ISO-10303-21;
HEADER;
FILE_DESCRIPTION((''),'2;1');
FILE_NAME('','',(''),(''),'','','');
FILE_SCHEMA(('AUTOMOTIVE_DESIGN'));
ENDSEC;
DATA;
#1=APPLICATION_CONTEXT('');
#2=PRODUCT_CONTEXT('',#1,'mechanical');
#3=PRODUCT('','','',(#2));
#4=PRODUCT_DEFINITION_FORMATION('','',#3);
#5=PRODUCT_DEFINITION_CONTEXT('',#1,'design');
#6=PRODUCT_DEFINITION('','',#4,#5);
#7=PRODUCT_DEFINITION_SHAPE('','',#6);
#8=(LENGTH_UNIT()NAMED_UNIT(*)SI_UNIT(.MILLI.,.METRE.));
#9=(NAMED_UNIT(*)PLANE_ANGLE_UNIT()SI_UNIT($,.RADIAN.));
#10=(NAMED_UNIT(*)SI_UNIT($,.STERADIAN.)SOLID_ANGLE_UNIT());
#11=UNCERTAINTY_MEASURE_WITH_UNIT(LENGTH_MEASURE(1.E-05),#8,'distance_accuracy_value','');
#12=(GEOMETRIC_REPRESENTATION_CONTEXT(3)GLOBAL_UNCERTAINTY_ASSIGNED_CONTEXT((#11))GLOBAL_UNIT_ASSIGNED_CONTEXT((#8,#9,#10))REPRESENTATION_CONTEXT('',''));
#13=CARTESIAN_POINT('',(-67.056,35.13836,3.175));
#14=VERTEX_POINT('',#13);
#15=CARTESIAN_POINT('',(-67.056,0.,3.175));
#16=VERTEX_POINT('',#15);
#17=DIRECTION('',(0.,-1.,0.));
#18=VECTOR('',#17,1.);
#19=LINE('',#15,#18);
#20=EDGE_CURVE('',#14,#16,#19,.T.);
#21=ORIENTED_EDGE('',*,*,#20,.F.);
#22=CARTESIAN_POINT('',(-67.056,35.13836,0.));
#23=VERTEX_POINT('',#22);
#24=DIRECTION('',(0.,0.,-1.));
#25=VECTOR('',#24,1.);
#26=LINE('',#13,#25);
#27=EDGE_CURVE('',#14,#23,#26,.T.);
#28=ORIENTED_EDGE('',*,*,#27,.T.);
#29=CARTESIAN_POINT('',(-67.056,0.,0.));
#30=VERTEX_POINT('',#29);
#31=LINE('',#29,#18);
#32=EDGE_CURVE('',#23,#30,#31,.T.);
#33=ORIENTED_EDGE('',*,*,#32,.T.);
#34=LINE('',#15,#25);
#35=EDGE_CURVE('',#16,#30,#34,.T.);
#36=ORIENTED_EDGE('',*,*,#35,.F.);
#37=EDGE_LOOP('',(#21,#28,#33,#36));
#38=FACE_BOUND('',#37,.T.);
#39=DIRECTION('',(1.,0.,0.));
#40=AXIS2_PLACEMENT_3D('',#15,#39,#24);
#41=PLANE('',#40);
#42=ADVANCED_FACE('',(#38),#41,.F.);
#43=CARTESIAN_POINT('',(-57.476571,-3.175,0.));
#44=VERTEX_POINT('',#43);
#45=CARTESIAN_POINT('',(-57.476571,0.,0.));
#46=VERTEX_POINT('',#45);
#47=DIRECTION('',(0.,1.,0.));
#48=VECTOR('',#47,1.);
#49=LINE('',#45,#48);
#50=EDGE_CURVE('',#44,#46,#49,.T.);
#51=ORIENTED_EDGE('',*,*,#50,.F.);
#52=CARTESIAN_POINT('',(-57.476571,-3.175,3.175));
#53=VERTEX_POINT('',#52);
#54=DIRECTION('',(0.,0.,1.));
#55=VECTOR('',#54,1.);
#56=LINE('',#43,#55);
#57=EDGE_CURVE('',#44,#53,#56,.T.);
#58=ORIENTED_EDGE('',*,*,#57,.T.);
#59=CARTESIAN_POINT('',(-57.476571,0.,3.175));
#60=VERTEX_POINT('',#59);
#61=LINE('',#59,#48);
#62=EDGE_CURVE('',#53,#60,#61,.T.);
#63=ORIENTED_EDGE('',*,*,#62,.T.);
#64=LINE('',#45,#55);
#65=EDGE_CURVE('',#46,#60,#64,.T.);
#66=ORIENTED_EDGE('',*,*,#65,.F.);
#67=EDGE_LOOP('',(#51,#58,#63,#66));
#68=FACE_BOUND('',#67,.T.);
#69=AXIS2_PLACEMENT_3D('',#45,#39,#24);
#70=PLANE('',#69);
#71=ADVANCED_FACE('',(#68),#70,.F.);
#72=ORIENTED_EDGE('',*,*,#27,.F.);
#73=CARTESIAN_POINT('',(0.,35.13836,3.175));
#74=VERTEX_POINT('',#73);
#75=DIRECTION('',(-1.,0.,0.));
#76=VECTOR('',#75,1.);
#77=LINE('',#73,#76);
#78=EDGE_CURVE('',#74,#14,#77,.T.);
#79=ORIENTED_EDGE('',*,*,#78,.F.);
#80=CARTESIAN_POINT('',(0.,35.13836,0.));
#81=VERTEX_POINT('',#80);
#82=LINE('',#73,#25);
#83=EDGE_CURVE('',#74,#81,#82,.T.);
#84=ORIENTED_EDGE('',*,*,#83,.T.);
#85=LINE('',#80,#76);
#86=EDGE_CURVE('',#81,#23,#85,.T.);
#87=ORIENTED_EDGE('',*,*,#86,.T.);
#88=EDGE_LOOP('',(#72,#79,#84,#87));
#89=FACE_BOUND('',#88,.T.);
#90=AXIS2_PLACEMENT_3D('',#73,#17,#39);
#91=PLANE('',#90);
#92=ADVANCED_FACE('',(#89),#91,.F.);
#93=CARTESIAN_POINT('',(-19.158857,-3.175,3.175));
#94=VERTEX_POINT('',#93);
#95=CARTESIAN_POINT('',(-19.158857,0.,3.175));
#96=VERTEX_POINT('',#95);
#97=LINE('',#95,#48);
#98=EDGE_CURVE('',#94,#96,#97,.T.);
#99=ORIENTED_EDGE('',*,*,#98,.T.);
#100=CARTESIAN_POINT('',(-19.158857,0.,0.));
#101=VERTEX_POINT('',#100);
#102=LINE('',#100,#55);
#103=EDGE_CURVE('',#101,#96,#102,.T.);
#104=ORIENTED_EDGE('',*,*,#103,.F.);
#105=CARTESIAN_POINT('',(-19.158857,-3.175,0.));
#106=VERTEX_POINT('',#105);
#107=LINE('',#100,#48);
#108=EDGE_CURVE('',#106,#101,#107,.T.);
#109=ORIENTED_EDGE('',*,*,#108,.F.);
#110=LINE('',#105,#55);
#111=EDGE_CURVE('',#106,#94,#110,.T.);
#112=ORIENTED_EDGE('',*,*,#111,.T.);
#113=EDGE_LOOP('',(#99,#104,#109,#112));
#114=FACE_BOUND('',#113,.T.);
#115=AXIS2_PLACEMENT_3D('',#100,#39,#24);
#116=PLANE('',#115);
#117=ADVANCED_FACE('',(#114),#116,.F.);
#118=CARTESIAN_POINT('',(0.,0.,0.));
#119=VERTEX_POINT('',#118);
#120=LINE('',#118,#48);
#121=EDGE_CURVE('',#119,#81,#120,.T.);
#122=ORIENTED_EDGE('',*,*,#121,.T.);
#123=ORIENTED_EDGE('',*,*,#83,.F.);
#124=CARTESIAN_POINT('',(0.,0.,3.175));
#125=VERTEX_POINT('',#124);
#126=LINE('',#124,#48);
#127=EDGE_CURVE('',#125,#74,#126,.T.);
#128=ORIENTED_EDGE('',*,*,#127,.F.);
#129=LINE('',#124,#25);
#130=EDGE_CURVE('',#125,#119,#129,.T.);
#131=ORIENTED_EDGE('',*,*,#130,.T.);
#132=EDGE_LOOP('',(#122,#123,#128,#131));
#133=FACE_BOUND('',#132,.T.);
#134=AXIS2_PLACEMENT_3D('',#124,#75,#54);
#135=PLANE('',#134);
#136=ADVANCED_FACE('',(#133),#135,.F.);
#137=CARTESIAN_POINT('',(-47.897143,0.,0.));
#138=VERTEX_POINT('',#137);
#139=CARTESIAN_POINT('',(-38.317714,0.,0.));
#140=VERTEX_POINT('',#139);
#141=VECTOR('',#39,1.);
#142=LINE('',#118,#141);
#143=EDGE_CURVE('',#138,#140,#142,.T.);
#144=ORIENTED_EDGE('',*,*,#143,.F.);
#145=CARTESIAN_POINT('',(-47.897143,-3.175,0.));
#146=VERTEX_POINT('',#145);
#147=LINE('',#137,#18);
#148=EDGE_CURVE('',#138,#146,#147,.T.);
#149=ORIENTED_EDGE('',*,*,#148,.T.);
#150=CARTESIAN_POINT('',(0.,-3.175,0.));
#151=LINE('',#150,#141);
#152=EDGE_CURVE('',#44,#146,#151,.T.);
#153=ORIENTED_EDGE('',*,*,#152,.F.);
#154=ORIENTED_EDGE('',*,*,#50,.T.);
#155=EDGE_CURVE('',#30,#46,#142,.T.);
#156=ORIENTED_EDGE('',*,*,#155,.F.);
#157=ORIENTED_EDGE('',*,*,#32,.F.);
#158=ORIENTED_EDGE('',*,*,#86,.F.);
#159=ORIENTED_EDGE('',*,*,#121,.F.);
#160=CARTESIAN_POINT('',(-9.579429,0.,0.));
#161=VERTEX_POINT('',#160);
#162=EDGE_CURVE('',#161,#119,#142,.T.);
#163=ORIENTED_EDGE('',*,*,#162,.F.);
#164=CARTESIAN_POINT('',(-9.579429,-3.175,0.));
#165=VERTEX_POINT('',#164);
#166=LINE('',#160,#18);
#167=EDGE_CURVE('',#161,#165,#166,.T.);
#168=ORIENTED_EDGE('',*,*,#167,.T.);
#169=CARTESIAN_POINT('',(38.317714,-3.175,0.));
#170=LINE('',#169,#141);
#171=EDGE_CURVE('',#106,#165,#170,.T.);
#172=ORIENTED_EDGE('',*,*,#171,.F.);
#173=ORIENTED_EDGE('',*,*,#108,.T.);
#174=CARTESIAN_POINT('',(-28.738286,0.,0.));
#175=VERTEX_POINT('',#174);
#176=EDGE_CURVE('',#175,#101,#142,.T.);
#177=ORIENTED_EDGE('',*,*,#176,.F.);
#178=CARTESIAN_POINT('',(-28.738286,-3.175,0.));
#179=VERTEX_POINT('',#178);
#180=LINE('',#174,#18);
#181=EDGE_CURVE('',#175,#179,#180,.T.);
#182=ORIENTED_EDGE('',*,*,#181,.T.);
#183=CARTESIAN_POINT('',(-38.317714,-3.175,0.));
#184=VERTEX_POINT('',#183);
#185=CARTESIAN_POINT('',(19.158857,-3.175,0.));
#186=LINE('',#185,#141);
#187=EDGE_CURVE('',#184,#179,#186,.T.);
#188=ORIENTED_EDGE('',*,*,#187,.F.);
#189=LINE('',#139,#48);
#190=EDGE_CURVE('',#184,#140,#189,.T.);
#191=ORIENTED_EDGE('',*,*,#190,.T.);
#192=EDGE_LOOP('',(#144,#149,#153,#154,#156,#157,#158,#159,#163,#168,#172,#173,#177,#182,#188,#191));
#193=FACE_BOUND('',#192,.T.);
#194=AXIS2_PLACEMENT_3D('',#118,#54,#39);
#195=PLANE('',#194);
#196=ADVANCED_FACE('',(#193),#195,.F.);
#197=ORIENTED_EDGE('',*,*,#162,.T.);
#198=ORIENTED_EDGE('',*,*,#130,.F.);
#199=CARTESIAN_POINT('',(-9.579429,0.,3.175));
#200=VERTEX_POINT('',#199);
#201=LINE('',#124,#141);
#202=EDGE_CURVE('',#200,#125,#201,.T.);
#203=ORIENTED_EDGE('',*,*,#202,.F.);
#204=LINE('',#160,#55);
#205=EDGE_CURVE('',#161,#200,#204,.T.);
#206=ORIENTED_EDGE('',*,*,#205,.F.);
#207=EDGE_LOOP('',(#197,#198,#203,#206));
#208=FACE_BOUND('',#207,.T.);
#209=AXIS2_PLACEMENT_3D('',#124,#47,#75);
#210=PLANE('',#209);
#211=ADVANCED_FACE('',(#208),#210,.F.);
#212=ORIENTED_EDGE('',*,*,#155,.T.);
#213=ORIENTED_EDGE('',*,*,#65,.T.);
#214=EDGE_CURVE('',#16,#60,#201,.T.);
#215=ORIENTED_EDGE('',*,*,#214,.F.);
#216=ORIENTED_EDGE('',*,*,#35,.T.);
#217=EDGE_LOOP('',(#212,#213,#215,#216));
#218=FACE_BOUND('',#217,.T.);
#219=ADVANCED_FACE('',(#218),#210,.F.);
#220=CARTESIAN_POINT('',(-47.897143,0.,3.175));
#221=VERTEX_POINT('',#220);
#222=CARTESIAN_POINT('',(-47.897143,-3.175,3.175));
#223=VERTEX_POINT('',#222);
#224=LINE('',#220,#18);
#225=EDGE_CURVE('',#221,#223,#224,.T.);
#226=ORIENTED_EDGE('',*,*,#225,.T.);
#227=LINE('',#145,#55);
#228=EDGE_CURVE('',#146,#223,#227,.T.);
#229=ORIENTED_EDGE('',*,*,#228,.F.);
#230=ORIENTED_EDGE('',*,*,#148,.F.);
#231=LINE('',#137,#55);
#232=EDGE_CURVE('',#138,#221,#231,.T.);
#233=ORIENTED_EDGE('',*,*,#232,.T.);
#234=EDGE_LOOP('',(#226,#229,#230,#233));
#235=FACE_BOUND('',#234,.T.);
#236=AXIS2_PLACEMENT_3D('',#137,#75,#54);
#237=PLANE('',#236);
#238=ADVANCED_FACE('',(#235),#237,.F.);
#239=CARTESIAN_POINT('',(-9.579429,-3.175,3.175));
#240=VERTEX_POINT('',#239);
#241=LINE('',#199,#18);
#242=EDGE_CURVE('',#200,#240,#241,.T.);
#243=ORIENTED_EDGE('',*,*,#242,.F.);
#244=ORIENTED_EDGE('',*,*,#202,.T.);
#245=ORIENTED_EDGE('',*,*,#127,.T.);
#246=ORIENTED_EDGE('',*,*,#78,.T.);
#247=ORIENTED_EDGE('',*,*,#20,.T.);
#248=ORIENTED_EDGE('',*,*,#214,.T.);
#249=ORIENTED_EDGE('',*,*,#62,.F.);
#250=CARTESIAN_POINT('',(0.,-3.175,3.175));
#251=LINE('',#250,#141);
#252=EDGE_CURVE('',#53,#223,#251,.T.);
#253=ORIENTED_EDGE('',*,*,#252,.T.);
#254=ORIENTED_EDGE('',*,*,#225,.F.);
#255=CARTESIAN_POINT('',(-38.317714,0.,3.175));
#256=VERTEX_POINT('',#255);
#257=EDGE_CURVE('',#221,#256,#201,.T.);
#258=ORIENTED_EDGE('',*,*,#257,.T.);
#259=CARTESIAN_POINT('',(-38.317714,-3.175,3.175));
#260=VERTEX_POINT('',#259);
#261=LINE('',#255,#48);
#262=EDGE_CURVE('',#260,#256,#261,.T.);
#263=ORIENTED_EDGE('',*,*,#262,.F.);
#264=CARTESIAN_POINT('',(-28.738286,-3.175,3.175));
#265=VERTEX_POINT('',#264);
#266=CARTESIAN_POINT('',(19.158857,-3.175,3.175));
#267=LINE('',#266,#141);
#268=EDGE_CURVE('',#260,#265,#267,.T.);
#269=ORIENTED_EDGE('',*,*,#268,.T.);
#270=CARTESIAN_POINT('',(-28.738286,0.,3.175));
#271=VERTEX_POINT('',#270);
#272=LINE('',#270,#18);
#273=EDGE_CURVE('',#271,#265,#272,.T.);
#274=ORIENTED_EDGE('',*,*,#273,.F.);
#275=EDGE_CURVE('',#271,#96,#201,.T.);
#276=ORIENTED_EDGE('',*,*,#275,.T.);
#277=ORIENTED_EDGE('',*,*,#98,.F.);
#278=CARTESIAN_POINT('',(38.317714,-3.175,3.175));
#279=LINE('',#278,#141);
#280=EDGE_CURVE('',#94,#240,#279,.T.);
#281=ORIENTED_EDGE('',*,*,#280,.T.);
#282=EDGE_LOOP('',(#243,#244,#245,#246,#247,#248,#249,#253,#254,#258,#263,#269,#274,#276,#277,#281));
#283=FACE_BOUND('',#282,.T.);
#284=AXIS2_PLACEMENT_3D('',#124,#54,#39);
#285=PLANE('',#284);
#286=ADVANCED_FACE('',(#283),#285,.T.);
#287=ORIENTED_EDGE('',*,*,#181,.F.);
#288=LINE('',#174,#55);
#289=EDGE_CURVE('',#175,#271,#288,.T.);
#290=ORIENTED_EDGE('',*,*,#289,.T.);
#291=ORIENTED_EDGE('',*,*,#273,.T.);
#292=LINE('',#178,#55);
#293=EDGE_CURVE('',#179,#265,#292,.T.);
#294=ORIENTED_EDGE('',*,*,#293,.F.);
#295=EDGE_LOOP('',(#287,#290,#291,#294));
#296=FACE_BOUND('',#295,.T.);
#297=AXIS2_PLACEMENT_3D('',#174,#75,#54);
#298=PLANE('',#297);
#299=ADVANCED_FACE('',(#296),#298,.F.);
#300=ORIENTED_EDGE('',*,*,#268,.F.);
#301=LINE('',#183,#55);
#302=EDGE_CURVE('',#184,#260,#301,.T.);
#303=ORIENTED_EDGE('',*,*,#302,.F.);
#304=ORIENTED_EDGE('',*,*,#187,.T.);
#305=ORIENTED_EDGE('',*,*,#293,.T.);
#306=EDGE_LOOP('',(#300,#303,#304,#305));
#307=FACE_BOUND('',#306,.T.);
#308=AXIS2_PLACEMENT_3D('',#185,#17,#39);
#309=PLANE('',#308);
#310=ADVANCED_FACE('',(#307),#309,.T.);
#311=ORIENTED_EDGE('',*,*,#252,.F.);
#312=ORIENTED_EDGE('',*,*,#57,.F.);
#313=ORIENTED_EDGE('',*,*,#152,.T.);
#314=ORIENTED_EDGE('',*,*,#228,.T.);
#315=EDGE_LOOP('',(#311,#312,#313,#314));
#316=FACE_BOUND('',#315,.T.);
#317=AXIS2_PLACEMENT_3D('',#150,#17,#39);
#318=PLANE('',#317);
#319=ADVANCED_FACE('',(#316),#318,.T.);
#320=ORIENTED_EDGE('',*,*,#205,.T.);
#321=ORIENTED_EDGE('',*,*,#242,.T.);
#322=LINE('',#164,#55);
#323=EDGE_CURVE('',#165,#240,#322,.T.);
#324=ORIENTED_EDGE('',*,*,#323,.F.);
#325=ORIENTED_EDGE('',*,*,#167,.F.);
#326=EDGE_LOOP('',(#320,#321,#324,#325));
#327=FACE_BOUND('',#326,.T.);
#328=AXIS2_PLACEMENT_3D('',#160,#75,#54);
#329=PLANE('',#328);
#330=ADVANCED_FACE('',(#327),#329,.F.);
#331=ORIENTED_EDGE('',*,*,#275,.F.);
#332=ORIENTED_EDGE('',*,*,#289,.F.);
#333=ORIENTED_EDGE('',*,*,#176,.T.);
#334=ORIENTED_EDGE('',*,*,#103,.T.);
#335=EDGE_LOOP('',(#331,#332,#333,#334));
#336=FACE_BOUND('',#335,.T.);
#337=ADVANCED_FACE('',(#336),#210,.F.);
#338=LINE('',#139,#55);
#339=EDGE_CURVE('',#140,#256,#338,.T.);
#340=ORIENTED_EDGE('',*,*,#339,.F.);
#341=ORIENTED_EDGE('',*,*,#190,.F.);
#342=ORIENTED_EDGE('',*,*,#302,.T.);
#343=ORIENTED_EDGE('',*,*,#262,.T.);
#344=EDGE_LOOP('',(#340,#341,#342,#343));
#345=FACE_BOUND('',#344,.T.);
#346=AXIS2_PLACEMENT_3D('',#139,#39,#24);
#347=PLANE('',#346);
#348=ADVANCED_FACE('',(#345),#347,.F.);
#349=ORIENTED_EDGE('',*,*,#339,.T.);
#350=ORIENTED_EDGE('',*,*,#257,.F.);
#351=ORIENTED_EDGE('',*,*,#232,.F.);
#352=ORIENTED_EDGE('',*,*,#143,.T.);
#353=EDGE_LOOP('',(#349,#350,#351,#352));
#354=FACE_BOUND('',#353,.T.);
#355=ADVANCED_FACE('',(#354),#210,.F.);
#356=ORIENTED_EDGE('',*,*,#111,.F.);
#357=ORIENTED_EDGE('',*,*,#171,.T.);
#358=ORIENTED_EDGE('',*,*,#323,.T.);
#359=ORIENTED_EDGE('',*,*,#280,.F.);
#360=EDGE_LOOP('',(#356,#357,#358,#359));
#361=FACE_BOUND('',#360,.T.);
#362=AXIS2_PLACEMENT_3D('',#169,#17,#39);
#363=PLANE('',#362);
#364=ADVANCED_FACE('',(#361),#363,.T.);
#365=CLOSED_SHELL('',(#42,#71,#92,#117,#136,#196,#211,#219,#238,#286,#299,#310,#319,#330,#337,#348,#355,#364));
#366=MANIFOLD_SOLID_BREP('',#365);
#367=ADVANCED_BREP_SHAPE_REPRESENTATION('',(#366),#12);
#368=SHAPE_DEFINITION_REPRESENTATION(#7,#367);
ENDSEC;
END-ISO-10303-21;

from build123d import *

# Parameters (mm, degrees)
SKETCH3_W           = 67.056
SKETCH3_H           = 35.13836
BOSS_EXTRUDE1_DEPTH = 3.175
SKETCH4_W           = 9.579428572
SKETCH4_H           = 3.175
BOSS_EXTRUDE3_DEPTH = 3.175
LPATTERN1_COUNT     = 3
LPATTERN1_PITCH     = 19.158857143


with BuildPart() as part:
    # Sketch3 → Boss-Extrude1 (new body)
    with BuildSketch(Plane.XY):
        with Locations((-33.528, 17.56918)):
            Rectangle(SKETCH3_W, SKETCH3_H)
    extrude(amount=BOSS_EXTRUDE1_DEPTH)

    # Sketch4 → Boss-Extrude3 (add)
    with BuildSketch(Plane.XY.offset(3.175)):
        with Locations((-52.686857143, -1.5875)):
            Rectangle(SKETCH4_W, SKETCH4_H)
    boss_extrude3 = extrude(amount=-BOSS_EXTRUDE3_DEPTH)

    # LPattern1: Boss-Extrude3 ×3
    with Locations(*[(i * LPATTERN1_PITCH, 0, 0) for i in range(1, LPATTERN1_COUNT)]):
        add(boss_extrude3)


solid = part.part
